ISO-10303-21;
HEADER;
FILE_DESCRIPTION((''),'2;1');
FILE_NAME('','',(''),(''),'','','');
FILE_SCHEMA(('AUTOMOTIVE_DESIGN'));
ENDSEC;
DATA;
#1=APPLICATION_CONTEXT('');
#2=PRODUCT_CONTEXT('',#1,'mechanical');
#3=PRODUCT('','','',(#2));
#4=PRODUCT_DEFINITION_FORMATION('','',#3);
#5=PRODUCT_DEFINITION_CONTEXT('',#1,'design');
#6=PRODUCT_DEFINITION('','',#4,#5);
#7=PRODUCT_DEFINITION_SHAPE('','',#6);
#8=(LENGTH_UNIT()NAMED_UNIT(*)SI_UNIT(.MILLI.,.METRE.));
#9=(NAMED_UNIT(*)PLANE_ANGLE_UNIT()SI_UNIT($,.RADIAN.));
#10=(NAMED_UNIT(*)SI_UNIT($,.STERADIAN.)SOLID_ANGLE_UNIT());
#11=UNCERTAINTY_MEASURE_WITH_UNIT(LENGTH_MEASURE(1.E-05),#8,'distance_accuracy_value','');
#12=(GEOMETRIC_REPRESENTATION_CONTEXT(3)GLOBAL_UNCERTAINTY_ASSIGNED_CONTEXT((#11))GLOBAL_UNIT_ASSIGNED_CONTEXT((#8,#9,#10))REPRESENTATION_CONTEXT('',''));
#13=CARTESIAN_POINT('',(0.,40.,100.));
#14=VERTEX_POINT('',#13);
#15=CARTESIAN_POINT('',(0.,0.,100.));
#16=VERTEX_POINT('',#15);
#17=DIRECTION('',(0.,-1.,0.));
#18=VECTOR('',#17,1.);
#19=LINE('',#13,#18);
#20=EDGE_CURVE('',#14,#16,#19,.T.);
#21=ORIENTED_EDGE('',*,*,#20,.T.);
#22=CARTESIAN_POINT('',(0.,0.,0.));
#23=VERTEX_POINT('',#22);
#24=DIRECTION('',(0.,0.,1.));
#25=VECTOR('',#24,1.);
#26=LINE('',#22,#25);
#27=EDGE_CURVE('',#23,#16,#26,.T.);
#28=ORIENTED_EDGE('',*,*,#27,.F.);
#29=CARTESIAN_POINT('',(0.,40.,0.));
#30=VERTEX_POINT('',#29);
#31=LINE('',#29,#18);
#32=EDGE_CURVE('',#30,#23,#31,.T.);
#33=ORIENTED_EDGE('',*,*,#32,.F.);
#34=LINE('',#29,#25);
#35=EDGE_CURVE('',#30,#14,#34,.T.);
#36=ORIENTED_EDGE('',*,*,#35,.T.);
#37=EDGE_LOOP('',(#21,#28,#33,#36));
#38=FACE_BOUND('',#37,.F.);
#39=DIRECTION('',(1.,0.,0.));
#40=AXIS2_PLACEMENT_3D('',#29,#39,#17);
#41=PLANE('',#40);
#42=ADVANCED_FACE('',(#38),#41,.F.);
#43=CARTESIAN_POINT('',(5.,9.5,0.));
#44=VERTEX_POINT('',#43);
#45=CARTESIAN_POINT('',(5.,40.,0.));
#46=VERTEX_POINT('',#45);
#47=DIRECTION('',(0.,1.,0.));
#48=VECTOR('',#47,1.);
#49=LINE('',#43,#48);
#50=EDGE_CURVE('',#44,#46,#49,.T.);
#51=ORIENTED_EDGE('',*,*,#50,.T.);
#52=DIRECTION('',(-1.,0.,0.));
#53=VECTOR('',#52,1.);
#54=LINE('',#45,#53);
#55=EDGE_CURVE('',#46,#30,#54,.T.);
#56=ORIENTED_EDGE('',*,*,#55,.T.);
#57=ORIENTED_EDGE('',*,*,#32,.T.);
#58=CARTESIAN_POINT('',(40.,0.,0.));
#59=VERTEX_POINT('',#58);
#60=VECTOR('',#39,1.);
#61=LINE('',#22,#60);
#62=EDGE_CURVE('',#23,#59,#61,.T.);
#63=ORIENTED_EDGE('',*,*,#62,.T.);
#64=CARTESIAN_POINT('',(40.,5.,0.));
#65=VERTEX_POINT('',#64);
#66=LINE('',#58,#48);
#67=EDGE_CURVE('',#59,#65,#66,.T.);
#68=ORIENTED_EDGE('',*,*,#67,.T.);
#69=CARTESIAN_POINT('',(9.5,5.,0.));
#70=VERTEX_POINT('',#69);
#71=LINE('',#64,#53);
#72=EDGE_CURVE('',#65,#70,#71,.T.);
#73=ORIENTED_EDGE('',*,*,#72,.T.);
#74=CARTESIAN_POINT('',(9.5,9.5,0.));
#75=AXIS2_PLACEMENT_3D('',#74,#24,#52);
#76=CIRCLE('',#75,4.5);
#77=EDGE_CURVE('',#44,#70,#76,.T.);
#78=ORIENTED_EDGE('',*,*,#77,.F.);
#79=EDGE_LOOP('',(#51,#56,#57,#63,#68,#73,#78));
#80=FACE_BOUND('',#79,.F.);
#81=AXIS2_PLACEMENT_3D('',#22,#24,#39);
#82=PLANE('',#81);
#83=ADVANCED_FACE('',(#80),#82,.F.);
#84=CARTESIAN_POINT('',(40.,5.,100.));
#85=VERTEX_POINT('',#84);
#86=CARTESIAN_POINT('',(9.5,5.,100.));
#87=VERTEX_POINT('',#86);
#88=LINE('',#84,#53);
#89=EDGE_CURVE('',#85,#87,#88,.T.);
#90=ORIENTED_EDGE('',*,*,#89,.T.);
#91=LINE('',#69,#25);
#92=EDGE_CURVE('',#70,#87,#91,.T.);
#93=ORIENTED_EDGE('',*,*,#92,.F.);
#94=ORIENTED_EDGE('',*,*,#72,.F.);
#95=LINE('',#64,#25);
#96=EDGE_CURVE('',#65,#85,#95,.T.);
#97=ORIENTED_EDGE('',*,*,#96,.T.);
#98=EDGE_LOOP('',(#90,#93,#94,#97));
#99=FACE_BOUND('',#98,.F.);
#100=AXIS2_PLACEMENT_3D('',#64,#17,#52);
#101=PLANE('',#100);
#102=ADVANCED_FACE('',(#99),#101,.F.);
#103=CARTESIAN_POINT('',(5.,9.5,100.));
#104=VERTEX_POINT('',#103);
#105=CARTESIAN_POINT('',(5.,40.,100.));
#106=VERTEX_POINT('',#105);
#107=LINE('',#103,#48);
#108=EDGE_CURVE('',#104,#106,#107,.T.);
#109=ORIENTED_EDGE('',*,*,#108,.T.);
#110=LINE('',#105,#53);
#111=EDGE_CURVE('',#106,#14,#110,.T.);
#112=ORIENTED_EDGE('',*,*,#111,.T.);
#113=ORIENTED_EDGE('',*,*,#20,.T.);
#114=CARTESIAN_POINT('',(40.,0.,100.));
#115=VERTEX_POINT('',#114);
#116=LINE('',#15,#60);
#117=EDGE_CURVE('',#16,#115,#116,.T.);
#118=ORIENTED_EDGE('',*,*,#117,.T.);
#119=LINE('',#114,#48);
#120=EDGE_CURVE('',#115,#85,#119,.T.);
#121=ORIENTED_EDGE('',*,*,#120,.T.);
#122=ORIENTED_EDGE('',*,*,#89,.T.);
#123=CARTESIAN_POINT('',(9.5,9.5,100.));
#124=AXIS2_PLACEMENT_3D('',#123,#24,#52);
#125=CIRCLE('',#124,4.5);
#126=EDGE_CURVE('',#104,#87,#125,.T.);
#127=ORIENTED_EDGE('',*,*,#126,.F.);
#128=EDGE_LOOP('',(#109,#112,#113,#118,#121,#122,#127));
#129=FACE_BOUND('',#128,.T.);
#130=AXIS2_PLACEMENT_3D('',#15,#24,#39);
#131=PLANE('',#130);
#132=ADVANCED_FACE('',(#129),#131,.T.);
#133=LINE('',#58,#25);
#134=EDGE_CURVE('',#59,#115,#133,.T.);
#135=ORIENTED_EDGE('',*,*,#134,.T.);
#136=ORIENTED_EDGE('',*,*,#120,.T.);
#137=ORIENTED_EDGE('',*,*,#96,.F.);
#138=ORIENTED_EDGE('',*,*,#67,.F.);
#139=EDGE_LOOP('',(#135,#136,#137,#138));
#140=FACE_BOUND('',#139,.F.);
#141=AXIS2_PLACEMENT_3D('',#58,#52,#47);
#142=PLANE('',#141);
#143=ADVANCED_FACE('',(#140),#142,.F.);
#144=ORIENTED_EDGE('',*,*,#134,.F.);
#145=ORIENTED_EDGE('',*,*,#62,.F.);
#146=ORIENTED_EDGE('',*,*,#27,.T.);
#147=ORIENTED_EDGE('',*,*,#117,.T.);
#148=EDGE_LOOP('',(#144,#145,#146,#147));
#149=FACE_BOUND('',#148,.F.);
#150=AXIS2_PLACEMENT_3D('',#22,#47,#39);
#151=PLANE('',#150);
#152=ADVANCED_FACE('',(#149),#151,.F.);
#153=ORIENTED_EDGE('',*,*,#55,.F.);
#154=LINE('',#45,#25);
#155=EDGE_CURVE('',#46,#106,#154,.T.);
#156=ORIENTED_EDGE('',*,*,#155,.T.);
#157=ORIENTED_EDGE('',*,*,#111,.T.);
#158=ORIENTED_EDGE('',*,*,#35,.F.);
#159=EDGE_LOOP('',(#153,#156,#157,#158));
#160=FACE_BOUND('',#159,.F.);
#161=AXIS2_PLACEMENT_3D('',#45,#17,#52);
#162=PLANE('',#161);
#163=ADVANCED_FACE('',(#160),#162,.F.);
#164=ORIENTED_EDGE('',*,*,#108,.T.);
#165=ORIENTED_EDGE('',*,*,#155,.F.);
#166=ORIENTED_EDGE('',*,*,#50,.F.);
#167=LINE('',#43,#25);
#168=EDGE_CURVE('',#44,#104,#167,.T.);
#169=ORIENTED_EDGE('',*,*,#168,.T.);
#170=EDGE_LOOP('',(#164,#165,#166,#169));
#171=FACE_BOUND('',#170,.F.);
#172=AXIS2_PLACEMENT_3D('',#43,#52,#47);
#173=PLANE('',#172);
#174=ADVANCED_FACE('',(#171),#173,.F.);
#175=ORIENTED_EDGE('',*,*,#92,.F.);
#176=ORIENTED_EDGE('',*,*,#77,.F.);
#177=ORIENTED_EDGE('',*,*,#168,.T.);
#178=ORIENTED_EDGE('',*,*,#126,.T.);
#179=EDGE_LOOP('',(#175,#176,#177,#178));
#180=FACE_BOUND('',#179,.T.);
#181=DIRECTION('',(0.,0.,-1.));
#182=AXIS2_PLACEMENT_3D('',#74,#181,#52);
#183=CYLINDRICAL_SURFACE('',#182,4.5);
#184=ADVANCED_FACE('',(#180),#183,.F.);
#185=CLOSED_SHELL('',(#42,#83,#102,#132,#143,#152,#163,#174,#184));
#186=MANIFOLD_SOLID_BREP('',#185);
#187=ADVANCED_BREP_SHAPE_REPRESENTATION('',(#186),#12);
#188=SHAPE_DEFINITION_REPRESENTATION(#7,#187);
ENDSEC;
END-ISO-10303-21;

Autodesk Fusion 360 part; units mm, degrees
sketch "スケッチ1" plane through (0, 0, 0) normal (0, 0, 1) x (1, 0, 0)
  line L0 (0, 40) -> (0, 0)
  line L1 (5, 9.5) -> (5, 40)
  line L2 (40, 5) -> (9.5, 5)
  line L3 (0, 0) -> (40, 0)
  arc A0 (5, 9.5) -> (9.5, 5) centre (9.5, 9.5) ccw
  line L4 (40, 0) -> (40, 5)
  line L5 (5, 40) -> (0, 40)
extrude "押し出し1" add sketch "スケッチ1" along normal blind 100
